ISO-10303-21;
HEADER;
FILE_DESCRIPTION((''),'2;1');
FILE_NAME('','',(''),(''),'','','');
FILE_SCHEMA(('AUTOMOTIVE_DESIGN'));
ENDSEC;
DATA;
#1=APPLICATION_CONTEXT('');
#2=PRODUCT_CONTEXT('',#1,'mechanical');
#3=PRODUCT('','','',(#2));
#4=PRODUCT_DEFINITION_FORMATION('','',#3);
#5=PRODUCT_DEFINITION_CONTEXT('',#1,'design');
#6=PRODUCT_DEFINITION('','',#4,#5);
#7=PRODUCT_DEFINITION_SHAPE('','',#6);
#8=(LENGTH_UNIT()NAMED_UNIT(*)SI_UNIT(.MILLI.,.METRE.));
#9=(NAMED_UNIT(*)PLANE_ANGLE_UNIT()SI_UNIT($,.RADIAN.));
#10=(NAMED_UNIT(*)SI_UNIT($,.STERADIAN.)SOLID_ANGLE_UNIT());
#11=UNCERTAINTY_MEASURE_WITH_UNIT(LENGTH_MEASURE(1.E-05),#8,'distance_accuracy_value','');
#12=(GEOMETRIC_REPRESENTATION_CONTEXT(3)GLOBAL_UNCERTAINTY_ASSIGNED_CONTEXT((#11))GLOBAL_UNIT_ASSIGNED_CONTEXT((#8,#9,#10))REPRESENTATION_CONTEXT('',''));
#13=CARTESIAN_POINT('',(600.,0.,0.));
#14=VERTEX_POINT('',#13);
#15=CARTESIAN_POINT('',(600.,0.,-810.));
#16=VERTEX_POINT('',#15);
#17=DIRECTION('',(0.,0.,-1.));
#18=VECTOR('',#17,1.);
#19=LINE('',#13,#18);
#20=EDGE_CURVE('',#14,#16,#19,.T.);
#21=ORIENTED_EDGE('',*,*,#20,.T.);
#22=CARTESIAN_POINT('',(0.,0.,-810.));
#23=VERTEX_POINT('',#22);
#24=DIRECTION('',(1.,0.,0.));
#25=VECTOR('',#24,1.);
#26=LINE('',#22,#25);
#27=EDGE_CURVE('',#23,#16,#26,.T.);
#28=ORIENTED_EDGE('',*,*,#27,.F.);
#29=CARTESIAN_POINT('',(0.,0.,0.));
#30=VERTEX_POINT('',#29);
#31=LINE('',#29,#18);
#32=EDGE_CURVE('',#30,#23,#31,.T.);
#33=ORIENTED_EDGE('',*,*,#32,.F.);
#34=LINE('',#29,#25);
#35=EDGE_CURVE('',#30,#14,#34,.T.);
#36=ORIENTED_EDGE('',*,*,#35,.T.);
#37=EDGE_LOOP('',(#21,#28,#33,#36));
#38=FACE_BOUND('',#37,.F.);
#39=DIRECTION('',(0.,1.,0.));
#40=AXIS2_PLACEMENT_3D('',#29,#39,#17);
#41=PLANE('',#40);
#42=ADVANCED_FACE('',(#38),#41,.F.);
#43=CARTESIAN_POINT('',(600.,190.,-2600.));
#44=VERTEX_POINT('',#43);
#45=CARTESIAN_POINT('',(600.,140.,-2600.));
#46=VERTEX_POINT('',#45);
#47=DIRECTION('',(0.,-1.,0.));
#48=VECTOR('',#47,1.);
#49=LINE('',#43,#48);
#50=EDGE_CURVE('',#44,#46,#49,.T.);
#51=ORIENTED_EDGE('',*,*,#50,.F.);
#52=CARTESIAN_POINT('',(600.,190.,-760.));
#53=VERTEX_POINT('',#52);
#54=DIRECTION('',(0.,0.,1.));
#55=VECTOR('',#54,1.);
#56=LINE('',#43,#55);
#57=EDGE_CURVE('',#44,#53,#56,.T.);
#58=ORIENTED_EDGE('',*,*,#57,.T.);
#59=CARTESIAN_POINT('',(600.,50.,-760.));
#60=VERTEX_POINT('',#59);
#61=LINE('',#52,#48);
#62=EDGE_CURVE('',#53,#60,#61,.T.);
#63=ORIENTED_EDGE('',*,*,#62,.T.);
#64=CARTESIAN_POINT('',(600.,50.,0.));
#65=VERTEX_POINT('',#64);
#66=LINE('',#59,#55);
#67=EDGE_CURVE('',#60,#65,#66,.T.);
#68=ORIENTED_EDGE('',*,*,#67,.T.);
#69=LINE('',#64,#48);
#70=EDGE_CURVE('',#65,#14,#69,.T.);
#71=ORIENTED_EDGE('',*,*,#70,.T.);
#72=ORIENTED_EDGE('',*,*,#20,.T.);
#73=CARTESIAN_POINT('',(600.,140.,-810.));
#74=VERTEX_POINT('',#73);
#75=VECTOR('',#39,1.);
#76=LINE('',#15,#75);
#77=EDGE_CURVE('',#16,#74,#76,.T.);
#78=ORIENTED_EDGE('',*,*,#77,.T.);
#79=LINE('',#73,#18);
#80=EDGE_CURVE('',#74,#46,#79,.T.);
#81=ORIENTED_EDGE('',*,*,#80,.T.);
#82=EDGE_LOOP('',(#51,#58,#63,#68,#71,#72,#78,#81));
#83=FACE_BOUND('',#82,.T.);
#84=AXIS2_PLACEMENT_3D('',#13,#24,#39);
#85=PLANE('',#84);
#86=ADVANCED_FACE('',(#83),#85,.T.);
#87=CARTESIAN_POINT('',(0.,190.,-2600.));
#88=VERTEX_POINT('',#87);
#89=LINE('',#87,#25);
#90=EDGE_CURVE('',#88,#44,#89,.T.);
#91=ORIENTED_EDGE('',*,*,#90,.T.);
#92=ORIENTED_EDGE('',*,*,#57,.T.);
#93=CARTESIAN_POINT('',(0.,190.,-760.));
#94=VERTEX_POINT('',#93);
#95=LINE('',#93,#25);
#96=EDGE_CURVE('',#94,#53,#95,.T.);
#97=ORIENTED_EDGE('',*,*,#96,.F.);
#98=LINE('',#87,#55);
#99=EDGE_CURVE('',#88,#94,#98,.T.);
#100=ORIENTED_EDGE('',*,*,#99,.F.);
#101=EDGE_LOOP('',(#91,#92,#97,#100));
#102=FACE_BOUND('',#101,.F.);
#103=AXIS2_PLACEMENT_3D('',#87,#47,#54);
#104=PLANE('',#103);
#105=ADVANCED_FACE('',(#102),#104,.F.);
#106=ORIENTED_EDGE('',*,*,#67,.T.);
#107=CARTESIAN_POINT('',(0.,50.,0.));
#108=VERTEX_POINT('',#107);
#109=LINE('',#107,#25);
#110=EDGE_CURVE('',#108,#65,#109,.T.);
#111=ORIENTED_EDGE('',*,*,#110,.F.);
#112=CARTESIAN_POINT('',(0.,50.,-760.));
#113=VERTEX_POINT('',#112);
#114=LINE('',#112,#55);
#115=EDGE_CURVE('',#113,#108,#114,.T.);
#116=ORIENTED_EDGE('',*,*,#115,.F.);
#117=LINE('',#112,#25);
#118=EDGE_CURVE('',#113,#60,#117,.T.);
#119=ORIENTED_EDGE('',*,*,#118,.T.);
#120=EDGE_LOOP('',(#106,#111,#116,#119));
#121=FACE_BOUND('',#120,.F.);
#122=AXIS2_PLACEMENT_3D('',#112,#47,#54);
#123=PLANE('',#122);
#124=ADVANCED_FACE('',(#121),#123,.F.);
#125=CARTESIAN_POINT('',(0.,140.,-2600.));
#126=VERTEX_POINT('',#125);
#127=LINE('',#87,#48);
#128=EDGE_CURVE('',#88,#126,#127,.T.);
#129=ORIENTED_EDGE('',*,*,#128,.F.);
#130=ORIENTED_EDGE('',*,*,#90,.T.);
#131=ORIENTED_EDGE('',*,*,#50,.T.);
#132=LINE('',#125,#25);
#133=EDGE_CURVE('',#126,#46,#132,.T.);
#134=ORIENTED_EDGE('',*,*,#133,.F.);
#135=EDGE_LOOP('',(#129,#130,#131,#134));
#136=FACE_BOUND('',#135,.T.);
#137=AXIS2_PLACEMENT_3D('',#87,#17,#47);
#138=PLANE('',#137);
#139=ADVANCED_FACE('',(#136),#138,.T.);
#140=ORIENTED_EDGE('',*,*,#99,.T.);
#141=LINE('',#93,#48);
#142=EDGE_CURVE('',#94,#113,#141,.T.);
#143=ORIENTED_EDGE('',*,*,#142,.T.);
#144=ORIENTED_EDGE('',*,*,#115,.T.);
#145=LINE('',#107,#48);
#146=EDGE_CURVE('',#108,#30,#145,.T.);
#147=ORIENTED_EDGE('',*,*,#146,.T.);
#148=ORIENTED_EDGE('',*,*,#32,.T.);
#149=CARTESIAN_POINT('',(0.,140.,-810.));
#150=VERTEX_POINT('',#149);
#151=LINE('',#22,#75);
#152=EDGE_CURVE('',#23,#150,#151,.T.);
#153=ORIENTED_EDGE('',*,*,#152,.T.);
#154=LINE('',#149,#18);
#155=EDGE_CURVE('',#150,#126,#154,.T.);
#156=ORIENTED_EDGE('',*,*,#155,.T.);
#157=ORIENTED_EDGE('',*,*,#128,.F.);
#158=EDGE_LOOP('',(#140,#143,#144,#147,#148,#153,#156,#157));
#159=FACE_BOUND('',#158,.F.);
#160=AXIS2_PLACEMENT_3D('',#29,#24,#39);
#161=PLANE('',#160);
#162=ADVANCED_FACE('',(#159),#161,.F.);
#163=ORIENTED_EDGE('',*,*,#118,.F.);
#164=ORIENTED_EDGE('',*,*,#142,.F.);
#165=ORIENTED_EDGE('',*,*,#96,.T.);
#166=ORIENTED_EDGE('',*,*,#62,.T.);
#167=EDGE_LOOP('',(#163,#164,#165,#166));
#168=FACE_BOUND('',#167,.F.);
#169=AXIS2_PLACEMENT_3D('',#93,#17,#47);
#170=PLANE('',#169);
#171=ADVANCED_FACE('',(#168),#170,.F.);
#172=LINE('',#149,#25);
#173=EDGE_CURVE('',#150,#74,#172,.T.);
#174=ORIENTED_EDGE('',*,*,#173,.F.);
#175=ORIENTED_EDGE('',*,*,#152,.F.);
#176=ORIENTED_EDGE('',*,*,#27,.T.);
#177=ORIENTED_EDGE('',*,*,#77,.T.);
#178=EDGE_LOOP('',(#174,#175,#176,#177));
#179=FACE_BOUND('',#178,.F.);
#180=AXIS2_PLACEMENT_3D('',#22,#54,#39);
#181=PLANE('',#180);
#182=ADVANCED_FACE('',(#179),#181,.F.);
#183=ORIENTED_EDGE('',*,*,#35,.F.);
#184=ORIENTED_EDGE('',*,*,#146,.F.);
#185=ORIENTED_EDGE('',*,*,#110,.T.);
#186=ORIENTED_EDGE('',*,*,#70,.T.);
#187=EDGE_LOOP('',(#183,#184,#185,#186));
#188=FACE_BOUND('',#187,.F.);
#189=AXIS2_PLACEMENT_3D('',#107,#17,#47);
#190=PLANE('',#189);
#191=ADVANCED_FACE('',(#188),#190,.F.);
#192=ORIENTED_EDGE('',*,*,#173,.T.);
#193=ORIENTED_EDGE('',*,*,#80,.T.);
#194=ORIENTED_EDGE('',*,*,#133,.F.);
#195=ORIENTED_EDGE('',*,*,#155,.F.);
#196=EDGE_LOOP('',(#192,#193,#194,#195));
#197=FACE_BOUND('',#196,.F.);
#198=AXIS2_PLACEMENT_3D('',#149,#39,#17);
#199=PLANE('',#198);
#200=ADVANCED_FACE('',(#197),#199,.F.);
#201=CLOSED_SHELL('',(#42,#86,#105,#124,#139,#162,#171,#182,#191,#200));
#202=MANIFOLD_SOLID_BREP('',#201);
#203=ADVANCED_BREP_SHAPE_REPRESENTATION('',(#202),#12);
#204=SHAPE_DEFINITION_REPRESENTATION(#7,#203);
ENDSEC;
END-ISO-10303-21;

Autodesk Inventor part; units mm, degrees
ref_plane "YZ Plane" through (0, 0, 0) normal (1, 0, 0) x (0, 1, 0)
ref_plane "XZ Plane" through (0, 0, 0) normal (0, 1, 0) x (-1, 0, 0)
sketch "草图1" plane through (0, 0, 0) normal (1, 0, 0) x (0, 1, 0)
  line L0 (0, 0) -> (0, -810)
  line L1 (0, -810) -> (140, -810)
  line L2 (140, -810) -> (140, -2600)
  line L3 (190, -2600) -> (190, -760)
  line L4 (190, -760) -> (50, -760)
  line L5 (50, -760) -> (50, 0)
  line L6 (50, 0) -> (0, 0)
  line L7 (190, -2600) -> (140, -2600)
  dimension "d0" = 810
  dimension "d1" = 140
  dimension "d2" = 2600
  dimension "d3" = 50
extrude "拉伸1" add sketch "草图1" along normal blind 600
ref_plane "工作平面1" through (0, 690, -760) normal (0, 1, 0) x (1, 0, 0)
properties part number "shelf"
